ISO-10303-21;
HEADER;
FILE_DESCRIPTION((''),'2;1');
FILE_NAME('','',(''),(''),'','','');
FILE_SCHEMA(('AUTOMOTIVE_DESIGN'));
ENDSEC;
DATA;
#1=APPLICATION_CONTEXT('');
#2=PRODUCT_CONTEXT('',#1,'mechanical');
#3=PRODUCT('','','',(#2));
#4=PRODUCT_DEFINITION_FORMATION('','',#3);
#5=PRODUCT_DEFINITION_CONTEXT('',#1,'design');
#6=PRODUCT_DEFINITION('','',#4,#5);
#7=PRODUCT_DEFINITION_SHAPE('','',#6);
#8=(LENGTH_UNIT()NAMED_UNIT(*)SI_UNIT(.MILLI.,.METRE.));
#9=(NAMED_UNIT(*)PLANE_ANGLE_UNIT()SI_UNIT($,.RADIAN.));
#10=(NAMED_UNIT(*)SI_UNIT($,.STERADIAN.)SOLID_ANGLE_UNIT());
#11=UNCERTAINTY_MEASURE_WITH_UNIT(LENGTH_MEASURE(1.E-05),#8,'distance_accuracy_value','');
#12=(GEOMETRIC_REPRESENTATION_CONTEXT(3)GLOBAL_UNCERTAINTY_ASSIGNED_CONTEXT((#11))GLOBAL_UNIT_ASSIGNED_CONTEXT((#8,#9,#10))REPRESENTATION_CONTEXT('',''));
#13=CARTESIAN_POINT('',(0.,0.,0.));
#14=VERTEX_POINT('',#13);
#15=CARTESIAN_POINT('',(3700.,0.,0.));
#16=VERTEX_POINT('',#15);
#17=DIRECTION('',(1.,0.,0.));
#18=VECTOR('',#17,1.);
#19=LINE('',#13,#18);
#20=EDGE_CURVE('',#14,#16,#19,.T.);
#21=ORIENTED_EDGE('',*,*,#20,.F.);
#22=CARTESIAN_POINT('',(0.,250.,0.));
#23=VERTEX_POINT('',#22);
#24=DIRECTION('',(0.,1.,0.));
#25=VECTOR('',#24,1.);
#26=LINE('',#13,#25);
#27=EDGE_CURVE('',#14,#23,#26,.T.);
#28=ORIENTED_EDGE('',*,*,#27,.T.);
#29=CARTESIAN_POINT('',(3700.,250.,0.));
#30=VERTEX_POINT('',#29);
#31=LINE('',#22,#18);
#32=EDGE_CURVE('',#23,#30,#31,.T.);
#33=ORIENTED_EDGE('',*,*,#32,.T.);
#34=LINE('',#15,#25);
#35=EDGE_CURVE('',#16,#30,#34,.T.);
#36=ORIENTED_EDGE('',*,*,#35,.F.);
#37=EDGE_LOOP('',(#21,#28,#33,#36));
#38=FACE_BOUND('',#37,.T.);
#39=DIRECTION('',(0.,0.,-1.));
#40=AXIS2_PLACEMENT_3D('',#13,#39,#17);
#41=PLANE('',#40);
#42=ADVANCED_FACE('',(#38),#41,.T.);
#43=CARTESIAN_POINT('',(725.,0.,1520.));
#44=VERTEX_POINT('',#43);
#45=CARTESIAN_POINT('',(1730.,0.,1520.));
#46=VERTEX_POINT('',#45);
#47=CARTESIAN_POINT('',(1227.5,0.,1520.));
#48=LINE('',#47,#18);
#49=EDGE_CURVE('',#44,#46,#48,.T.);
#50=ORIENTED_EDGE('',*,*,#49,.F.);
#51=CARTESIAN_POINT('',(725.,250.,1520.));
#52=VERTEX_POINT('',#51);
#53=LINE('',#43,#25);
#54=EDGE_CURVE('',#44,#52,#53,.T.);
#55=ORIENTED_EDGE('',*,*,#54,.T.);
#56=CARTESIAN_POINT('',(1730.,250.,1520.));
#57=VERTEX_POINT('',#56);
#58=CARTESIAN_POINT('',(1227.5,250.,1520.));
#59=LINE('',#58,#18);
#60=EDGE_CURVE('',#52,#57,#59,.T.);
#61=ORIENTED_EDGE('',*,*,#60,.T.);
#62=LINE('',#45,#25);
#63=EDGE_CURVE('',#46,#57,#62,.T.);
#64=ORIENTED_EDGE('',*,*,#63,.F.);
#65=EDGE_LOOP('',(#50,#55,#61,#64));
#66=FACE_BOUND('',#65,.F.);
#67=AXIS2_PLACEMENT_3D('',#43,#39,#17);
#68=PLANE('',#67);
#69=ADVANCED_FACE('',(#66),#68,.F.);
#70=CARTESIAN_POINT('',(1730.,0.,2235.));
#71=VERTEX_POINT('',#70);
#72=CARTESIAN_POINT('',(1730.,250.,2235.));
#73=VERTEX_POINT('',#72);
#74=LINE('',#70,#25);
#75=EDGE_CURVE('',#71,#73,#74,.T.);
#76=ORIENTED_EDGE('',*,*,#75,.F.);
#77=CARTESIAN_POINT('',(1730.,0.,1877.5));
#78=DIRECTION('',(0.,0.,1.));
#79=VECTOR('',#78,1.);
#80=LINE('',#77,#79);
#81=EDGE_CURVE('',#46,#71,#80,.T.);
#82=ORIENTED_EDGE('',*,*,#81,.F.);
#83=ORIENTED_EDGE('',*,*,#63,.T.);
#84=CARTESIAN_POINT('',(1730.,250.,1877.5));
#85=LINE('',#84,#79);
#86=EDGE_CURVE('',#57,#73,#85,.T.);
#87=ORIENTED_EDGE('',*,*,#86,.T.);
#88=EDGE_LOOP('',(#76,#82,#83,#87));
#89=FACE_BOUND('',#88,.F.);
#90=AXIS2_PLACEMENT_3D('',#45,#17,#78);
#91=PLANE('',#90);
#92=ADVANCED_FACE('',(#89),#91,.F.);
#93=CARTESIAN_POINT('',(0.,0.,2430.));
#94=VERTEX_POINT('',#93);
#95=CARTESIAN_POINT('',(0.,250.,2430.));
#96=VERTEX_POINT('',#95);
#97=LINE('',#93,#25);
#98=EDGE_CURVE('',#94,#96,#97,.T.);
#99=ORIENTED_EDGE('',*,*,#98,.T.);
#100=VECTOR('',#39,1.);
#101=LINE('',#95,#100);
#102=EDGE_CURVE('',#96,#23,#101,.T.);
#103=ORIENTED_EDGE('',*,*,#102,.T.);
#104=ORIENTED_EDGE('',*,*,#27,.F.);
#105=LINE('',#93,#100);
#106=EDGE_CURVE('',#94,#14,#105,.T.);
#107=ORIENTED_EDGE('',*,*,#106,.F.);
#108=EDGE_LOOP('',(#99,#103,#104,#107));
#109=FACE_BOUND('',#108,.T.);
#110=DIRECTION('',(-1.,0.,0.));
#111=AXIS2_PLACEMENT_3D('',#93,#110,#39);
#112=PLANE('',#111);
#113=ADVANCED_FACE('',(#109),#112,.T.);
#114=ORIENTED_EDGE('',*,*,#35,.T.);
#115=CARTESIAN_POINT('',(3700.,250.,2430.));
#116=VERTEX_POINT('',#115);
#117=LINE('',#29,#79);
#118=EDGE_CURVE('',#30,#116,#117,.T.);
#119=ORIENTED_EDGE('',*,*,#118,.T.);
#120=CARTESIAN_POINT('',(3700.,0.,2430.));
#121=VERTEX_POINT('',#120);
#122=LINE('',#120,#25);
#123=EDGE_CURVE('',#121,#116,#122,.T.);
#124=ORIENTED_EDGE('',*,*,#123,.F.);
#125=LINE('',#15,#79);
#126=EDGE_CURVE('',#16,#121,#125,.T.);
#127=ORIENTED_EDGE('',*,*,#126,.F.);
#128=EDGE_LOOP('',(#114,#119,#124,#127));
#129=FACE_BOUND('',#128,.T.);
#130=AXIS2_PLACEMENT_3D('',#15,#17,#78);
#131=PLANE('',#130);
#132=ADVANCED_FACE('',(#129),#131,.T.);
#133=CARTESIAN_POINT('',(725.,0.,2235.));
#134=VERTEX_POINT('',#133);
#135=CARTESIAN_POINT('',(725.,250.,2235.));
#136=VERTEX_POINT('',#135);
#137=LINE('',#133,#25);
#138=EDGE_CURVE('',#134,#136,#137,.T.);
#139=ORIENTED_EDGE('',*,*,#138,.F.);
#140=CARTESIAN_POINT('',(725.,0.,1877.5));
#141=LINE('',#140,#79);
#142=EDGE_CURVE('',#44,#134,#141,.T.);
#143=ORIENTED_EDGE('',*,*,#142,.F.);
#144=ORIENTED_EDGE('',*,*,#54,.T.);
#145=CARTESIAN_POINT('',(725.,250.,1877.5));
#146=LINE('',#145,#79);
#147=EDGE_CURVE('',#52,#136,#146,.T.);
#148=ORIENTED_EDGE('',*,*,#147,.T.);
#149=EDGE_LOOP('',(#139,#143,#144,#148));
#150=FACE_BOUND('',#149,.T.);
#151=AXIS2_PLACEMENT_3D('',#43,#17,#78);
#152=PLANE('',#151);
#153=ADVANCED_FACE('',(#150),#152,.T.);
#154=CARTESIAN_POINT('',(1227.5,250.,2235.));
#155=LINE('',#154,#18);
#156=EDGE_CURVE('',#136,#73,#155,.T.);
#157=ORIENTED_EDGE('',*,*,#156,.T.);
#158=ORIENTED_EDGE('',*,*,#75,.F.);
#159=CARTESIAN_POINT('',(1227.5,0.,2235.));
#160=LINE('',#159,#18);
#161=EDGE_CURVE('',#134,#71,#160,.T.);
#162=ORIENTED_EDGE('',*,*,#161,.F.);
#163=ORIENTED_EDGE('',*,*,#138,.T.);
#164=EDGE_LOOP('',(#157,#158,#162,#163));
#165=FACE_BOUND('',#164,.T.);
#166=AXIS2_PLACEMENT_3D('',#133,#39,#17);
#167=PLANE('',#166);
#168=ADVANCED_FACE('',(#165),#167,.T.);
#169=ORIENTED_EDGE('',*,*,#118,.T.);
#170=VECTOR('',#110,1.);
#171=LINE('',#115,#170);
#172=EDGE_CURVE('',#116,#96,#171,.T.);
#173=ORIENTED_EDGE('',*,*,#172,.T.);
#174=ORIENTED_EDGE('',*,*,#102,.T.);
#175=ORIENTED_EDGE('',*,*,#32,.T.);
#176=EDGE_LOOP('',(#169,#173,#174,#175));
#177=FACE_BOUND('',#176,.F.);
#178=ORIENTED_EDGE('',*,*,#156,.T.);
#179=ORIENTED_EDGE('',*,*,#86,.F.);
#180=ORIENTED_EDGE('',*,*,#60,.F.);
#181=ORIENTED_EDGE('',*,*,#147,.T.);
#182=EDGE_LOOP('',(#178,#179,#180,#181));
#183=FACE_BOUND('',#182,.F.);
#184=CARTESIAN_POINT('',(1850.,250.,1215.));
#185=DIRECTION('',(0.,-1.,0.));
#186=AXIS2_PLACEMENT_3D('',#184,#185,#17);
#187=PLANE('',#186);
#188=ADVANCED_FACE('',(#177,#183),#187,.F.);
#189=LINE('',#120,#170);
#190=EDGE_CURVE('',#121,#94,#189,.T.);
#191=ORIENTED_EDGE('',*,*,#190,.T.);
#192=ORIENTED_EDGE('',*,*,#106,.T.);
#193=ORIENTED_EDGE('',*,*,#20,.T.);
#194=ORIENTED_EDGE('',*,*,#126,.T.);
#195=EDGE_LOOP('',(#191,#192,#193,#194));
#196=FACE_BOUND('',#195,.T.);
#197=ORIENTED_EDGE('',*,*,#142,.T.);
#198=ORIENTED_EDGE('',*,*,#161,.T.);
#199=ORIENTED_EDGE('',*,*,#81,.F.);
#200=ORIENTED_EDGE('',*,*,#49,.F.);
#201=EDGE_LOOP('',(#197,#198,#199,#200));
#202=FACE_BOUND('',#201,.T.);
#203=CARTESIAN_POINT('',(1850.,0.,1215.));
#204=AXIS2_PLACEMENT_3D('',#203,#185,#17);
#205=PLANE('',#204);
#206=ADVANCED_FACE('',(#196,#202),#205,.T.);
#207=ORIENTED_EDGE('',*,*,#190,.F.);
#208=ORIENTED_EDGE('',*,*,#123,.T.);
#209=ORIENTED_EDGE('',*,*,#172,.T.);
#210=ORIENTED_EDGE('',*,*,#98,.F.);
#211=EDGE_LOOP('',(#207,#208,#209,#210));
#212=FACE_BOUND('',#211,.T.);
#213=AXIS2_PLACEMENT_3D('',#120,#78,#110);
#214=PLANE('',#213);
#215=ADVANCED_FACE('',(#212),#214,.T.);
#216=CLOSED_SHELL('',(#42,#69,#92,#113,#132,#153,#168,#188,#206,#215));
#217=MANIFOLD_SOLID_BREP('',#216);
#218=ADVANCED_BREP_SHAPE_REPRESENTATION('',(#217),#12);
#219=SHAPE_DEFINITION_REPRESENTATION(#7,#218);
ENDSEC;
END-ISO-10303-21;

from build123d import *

# Parameters (mm, degrees)
F0_W     = 1005
F0_H     = 715
F1_DEPTH = 250


with BuildPart() as f1:
    # F0 (on Front) → F1 (new body)
    with BuildSketch(Plane.XZ):
        Polygon((0, 85), (0, 0), (3700, 0), (3700, 85), (3700, 2430), (0, 2430), align=None)
        with Locations((1227.5, 1877.5)):
            Rectangle(F0_W, F0_H, mode=Mode.SUBTRACT)
    extrude(amount=-F1_DEPTH)


solid = f1.part
